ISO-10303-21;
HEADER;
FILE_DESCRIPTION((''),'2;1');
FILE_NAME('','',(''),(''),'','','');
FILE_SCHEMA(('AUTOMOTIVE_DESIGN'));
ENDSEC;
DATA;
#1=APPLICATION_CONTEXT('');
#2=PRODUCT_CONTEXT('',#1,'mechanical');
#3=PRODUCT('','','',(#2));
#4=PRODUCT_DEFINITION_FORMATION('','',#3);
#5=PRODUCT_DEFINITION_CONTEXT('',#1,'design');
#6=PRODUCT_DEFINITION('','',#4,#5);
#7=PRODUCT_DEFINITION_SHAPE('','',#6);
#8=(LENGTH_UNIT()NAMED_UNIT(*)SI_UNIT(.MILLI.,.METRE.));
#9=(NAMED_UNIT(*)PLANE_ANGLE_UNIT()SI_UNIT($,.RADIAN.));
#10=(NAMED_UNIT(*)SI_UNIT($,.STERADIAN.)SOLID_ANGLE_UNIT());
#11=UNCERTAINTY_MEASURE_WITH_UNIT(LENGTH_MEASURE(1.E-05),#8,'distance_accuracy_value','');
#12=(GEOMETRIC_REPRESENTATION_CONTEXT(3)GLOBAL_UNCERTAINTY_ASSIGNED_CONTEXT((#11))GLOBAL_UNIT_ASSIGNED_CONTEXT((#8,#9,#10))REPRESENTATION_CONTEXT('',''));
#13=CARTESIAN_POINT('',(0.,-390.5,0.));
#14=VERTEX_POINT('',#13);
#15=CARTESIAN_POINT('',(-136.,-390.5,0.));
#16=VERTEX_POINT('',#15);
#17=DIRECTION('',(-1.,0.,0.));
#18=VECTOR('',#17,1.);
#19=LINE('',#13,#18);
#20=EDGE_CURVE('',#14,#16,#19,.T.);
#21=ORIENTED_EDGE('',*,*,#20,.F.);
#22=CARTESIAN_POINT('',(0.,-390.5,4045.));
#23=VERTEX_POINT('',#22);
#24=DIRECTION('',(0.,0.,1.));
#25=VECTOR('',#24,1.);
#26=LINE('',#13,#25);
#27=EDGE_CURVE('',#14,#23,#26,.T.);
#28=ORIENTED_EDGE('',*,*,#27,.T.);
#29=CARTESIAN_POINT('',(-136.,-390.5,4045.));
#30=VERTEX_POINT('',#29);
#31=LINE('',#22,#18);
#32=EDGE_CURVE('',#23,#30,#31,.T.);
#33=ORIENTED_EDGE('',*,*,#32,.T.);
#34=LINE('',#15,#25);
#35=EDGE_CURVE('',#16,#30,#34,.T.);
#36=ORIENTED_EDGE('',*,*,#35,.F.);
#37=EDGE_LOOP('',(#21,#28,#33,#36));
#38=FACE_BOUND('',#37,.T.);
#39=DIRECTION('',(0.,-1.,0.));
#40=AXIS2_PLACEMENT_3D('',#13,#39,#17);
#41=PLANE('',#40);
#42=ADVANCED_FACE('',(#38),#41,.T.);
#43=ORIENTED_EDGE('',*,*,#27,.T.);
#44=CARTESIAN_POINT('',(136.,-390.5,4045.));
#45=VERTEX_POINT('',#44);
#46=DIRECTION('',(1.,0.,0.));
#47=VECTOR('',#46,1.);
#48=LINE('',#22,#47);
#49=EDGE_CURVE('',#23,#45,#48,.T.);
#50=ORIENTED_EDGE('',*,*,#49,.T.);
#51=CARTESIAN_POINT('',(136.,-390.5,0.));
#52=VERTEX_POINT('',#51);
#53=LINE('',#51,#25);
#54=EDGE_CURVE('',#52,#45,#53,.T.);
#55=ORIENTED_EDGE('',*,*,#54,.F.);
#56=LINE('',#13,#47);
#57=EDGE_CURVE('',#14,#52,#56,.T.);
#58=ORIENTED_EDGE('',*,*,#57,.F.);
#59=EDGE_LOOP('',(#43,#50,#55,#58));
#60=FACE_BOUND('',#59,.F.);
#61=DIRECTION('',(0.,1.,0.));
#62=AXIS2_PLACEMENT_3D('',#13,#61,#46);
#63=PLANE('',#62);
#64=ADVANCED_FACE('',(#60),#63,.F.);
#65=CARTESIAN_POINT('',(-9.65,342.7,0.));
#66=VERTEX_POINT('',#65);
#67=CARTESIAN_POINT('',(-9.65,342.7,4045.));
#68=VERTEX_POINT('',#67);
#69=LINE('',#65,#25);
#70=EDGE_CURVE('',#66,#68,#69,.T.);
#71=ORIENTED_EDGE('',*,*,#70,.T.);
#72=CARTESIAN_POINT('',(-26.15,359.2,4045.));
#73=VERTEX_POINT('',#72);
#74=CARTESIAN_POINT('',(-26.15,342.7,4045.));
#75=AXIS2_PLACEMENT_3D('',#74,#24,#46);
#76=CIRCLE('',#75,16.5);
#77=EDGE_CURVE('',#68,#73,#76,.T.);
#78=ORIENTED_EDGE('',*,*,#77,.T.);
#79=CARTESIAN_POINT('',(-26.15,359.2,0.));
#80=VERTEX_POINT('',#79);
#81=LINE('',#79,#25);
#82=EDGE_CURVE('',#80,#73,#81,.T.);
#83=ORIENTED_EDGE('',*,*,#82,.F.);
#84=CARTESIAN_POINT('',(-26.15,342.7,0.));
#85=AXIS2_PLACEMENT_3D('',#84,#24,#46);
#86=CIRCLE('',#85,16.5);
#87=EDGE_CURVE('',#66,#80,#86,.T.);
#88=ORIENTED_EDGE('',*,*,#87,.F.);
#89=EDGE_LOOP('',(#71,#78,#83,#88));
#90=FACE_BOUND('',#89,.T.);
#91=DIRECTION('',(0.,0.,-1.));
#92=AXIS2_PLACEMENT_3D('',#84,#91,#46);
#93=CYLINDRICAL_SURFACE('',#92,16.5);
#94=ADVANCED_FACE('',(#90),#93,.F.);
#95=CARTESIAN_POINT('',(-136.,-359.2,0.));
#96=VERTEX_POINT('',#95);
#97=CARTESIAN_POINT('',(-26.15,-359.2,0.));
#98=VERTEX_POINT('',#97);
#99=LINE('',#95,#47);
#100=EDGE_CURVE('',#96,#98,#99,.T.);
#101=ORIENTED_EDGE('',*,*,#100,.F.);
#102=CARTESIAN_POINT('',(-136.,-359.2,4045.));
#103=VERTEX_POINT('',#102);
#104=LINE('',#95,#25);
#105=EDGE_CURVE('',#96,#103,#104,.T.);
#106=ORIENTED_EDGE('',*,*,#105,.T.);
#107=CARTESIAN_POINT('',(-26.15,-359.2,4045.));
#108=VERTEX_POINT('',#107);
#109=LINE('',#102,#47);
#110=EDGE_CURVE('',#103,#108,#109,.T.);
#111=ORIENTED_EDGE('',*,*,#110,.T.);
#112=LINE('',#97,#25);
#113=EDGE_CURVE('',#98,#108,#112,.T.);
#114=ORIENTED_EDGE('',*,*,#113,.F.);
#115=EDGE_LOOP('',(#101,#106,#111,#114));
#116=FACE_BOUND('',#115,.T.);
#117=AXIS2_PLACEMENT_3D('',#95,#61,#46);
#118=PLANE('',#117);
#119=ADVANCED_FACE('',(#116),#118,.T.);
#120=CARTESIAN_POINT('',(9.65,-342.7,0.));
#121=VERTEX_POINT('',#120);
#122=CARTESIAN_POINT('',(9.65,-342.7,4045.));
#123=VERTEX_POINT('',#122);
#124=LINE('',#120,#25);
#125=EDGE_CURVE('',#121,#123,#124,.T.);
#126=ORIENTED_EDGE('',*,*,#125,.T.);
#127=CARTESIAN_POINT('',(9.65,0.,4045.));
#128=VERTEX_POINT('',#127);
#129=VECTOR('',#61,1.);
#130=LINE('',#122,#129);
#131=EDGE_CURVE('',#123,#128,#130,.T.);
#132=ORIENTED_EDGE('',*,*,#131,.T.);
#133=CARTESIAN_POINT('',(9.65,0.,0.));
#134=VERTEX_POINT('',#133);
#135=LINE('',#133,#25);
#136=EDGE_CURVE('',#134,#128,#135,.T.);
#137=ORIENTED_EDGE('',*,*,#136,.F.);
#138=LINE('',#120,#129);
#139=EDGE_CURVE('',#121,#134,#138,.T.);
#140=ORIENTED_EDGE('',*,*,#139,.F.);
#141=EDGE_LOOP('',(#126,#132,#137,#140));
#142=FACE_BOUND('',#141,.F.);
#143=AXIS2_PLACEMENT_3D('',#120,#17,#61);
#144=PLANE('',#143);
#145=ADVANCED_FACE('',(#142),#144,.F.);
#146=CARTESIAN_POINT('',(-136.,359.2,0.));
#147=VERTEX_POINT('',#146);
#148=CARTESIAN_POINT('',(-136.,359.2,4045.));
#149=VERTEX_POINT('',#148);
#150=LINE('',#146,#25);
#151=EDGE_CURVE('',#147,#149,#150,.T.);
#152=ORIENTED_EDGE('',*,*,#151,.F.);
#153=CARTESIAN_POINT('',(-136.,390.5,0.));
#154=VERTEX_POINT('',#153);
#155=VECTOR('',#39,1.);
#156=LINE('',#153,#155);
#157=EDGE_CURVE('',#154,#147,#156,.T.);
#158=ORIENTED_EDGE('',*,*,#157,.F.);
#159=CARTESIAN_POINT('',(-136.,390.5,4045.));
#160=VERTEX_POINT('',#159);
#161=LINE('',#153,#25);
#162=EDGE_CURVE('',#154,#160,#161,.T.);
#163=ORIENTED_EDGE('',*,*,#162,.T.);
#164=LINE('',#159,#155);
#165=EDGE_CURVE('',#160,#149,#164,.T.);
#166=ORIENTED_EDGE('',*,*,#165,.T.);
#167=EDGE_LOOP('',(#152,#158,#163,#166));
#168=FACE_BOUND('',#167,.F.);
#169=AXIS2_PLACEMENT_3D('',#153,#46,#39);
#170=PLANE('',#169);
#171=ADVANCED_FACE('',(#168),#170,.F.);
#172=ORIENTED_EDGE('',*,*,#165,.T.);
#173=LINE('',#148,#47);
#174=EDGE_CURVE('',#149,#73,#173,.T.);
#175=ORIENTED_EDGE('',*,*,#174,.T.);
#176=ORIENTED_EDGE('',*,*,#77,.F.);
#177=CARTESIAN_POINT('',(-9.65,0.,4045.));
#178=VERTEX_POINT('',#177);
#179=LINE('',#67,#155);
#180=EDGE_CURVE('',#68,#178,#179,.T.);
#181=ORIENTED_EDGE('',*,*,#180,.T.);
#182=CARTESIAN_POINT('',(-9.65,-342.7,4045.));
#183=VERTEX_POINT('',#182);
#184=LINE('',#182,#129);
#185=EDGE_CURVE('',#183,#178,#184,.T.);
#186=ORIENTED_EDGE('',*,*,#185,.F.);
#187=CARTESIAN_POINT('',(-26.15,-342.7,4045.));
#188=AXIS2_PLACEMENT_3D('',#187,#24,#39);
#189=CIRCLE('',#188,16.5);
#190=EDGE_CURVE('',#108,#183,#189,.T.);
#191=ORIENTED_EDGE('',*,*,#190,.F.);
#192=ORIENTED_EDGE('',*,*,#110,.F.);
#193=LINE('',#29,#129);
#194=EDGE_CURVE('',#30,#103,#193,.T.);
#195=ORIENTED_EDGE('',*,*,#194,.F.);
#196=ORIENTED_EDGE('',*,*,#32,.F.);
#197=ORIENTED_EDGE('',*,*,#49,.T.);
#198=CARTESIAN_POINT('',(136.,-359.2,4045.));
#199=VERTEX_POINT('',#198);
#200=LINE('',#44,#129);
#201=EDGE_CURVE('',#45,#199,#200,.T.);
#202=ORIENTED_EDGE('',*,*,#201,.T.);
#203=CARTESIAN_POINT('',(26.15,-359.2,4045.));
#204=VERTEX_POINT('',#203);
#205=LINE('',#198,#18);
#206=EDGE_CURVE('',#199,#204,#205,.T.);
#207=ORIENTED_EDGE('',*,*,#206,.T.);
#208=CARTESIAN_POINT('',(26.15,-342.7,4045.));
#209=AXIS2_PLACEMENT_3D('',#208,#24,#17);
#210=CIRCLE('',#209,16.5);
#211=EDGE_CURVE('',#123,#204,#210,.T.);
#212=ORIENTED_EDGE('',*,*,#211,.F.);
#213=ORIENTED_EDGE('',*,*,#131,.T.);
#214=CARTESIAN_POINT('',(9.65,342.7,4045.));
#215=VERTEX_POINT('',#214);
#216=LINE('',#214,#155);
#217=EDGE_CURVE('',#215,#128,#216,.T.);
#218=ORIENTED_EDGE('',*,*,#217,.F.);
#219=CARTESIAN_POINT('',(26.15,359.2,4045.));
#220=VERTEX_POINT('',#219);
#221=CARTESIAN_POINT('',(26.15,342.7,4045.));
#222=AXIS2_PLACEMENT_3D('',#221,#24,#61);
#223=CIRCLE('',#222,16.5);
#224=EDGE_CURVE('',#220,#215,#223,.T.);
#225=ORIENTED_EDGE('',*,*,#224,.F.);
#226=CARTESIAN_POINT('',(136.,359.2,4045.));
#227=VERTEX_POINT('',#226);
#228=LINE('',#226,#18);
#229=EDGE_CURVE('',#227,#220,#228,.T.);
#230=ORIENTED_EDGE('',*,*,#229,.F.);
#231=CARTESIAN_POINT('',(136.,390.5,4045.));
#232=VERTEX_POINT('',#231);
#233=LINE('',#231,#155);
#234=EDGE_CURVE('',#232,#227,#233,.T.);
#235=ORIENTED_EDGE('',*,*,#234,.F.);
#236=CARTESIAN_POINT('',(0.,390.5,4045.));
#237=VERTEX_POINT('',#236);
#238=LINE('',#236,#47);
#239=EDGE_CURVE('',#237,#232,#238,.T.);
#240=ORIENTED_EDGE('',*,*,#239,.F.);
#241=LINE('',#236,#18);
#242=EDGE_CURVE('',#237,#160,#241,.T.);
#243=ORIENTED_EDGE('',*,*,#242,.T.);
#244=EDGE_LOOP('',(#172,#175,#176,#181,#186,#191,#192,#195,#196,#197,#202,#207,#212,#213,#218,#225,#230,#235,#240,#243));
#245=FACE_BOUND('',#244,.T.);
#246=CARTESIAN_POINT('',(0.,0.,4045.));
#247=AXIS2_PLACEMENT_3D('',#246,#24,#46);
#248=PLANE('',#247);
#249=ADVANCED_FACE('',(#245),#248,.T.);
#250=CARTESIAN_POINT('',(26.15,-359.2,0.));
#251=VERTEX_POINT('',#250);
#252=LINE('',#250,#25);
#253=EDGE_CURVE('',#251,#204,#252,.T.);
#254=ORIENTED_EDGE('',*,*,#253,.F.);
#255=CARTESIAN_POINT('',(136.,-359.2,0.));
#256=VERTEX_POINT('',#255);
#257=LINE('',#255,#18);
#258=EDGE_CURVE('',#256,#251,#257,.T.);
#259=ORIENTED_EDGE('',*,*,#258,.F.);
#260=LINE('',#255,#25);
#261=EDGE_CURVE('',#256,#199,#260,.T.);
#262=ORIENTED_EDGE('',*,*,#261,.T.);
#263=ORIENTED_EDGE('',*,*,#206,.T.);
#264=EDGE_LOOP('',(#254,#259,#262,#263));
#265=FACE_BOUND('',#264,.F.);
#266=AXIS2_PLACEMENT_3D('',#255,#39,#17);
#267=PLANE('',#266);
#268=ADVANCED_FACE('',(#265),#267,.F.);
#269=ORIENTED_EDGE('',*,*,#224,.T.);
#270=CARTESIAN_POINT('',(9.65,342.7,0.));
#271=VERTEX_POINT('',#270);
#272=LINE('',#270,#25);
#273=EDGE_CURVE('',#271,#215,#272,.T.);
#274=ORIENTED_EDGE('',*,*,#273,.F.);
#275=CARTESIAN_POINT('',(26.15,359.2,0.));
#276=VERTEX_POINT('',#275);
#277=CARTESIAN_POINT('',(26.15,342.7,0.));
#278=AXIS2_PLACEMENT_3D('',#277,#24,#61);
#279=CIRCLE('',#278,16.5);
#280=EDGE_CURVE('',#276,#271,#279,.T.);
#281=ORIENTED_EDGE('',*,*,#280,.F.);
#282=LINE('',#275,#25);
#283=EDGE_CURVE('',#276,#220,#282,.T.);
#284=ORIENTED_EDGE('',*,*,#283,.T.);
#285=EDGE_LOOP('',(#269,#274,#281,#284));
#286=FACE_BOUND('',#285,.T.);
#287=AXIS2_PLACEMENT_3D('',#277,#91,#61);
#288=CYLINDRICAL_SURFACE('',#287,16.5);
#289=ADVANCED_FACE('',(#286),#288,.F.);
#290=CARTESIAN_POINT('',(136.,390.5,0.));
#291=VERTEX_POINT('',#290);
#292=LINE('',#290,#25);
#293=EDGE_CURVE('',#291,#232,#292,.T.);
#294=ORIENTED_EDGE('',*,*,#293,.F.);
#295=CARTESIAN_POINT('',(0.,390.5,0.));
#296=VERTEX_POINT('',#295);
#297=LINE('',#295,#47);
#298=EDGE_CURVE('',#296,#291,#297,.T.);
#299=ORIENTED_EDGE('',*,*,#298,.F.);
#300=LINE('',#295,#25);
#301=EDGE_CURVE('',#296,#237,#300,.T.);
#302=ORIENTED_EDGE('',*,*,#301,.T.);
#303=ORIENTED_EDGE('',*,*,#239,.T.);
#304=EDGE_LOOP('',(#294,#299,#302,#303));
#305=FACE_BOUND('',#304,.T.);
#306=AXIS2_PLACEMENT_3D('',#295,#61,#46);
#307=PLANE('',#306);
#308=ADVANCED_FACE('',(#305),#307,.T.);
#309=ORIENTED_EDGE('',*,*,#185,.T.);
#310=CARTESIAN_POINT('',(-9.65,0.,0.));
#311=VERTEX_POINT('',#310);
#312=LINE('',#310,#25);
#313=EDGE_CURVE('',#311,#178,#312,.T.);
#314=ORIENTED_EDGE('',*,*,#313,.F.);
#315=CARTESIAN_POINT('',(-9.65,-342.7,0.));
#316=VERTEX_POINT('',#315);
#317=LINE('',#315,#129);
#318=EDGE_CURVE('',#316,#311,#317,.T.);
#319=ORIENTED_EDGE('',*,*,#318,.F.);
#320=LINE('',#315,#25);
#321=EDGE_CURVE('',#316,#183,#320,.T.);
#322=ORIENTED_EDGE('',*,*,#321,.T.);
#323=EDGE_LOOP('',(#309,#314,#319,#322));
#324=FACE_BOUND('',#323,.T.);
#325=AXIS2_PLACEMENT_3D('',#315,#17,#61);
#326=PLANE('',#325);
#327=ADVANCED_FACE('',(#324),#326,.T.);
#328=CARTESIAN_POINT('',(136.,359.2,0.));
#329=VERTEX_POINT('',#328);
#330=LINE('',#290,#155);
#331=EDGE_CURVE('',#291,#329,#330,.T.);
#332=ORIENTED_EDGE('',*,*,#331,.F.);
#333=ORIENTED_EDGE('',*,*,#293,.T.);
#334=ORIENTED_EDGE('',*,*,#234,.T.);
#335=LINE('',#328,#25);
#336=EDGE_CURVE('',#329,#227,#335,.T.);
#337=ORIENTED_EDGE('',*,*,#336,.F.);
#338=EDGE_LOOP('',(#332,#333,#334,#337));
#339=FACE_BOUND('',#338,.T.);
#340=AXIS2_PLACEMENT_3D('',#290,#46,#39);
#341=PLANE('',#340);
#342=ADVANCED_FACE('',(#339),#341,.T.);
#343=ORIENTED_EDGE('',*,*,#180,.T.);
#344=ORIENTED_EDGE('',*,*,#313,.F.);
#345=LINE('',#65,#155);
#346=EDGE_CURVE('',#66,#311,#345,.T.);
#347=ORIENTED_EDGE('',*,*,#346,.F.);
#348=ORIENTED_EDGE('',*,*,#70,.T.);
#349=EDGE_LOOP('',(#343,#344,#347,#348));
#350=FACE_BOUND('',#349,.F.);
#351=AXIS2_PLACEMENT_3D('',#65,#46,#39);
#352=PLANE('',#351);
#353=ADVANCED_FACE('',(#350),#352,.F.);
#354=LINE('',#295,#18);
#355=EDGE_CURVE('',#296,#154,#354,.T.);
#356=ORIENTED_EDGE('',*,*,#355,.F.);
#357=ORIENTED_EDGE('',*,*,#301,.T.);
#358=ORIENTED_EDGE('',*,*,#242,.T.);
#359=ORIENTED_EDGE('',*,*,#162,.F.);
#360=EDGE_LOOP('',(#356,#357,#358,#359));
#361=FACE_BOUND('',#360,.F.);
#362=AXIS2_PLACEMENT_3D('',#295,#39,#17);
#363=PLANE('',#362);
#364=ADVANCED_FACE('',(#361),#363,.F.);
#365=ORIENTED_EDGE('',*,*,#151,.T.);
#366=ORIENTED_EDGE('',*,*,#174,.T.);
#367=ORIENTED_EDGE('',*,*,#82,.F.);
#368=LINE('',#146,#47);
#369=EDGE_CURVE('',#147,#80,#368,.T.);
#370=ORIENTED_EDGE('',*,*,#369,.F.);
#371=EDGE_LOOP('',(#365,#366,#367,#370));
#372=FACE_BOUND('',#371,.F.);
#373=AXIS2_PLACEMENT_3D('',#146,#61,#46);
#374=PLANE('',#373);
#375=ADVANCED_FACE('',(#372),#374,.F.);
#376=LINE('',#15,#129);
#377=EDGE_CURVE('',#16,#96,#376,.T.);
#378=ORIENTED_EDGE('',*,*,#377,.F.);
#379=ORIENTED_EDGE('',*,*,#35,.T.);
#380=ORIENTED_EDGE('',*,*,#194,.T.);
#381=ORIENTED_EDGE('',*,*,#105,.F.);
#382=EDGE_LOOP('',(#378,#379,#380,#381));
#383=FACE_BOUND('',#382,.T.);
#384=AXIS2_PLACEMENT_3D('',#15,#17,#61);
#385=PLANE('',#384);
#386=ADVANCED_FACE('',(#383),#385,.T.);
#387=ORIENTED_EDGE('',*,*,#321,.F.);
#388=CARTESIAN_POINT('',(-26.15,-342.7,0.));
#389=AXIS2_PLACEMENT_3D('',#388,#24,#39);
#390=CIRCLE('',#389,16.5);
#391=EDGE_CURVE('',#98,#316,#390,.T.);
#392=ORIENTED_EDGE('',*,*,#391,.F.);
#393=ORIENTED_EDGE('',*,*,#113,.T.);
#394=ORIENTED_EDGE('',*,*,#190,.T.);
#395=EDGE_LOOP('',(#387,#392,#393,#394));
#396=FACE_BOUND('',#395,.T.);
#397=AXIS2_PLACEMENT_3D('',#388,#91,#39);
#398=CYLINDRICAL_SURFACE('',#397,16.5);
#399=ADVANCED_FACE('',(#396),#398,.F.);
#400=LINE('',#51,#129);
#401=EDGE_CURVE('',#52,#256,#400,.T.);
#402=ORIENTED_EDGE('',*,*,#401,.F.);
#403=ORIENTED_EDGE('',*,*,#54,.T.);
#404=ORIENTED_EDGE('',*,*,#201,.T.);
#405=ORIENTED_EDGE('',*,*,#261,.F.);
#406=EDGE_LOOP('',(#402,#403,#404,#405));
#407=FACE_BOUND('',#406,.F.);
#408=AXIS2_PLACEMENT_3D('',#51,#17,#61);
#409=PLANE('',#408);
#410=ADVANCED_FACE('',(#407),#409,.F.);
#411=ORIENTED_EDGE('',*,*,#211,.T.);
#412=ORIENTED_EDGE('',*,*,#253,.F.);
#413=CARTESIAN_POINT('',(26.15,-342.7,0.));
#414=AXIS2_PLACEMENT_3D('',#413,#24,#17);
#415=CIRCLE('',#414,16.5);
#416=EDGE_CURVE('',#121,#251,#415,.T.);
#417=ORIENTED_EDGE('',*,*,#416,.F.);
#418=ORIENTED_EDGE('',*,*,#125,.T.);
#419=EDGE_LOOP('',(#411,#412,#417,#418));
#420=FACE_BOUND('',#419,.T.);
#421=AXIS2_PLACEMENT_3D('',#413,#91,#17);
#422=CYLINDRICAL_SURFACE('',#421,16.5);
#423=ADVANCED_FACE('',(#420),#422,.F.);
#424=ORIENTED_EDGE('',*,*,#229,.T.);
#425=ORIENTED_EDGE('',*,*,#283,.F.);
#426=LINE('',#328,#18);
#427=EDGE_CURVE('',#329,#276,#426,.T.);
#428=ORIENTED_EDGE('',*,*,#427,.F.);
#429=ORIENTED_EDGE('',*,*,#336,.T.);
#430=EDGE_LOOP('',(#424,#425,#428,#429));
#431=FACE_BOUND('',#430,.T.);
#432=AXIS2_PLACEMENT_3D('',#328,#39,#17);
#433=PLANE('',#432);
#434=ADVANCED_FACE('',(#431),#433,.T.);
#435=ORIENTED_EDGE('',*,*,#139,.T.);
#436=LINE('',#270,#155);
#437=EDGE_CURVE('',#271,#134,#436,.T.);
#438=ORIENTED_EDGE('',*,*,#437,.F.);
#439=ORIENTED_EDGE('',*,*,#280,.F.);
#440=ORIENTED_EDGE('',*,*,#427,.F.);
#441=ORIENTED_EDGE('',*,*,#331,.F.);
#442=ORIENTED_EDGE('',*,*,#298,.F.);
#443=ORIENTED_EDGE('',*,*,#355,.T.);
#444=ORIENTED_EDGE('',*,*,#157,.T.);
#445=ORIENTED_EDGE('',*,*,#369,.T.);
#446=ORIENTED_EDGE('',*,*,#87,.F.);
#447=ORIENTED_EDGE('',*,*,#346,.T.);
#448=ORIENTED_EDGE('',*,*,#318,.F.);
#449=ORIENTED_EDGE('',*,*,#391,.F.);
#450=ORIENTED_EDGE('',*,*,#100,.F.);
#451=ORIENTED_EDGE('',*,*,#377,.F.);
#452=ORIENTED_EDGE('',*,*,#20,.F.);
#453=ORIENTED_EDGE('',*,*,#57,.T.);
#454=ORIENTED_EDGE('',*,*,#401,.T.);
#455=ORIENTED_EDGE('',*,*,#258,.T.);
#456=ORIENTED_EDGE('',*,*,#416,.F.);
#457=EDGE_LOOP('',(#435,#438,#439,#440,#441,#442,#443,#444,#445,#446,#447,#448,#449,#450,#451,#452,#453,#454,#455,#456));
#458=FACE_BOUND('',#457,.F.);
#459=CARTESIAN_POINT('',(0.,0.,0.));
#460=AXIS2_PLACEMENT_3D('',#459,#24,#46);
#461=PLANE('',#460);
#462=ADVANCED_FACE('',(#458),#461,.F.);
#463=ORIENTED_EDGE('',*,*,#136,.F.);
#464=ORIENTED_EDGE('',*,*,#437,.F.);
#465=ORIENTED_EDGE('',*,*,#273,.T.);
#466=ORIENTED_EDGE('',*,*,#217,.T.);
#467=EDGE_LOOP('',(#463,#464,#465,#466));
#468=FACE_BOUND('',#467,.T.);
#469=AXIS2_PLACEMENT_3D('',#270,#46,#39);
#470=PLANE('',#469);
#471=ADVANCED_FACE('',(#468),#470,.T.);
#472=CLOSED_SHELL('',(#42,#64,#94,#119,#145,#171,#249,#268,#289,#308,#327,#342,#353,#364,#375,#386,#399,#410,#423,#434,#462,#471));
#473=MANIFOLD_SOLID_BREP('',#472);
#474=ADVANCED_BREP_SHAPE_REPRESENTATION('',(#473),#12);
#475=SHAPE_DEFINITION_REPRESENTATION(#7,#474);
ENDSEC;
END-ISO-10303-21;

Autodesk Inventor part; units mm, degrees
ref_plane "YZ Plane" through (0, 0, 0) normal (1, 0, 0) x (0, 1, 0)
ref_plane "Start plane" through (0, 0, 0) normal (0, 0, 1) x (1, 0, 0)
ref_plane "End plane" through (0, 0, 4045) normal (0, 0, 1) x (1, 0, 0)
sketch "Sketch" plane through (0, 0, 0) normal (0, 0, 1) x (1, 0, 0)
  line L0 (-136, -390.5) -> (-136, -359.2)
  line L1 (-136, -359.2) -> (-26.15, -359.2)
  line L2 (-9.65, -342.7) -> (-9.65, 0)
  line L3 (-9.65, 0) -> (0, 0) construction
  line L4 (0, 0) -> (0, -390.5) construction
  line L5 (0, -390.5) -> (-136, -390.5)
  line L6 (-60, 0) -> (80, 0) construction
  line L7 (0, -60) -> (0, 80) construction
  line L8 (136, -390.5) -> (136, -359.2)
  line L9 (136, -359.2) -> (26.15, -359.2)
  line L10 (9.65, -342.7) -> (9.65, 0)
  line L11 (9.65, 0) -> (0, 0) construction
  line L12 (0, -390.5) -> (136, -390.5)
  line L13 (-136, 390.5) -> (-136, 359.2)
  line L14 (-136, 359.2) -> (-26.15, 359.2)
  line L15 (-9.65, 342.7) -> (-9.65, 0)
  line L16 (0, 390.5) -> (-136, 390.5)
  line L17 (136, 390.5) -> (136, 359.2)
  line L18 (136, 359.2) -> (26.15, 359.2)
  line L19 (0, 390.5) -> (136, 390.5)
  line L20 (9.65, 342.7) -> (9.65, 0)
  arc A0 (-9.65, 342.7) -> (-26.15, 359.2) centre (-26.15, 342.7) ccw
  arc A1 (26.15, 359.2) -> (9.65, 342.7) centre (26.15, 342.7) ccw
  arc A2 (9.65, -342.7) -> (26.15, -359.2) centre (26.15, -342.7) ccw
  arc A3 (-26.15, -359.2) -> (-9.65, -342.7) centre (-26.15, -342.7) ccw
  line L21 (0, 108) -> (0, -88) construction
  line L22 (-88, 0) -> (108, 0) construction
  point P0 (-9.65, -359.2)
  point P1 (9.65, -359.2)
  point P2 (-9.65, 359.2)
  point P3 (9.65, 359.2)
  dimension "d1" = 390.5
  dimension "d2" = 31.3
  dimension "d3" = 136
  dimension "d4" = 9.65
  dimension "d10" = 16.5
extrude "Body" add sketch "Sketch" along normal up to surface (4045 mm away) from surface at 0
sketch "Sketch4" plane through (0, 0, 0) normal (0, 0, 1) x (1, 0, 0)
  line L0 (0, 0) -> (10, 0)
ref_plane "Work Plane3" through (0, 0, 0) normal (0, -1, 0) x (1, 0, 0)
sketch "Sketch5" plane through (0, 0, 0) normal (0, -1, 0) x (1, 0, 0)
  line L0 (-2, 0) -> (12, 0) projected
  line L1 (-2, 4045) -> (12, 4045) projected
  dimension "d14" = 4045
equation "\"d1\" = 0.5 * G_H"
equation "\"d2\" = G_T1"
equation "\"d3\" = 0.5 * G_W"
equation "\"d4\" = 0.5 * G_T"
equation "\"d10\" = G_IR"
equation "\"d5\" = G_L"
equation "\"G_W\" = 272"
equation "\"G_H\" = 781"
equation "\"G_T\" = 19.3"
equation "\"G_T1\" = 31.3"
equation "\"G_IR\" = 16.5"
equation "\"G_L\" = d14"
equation "\"G_OFFSET_START\" = 0"
equation "\"G_OFFSET_END\" = 0"
equation "\"d12\" = G_OFFSET_END + B_L"
equation "\"B_L\" = 4045"
properties part number "AS 3679-1990 - 760 UB - 244 - 4045" material "Steel, Mild"
